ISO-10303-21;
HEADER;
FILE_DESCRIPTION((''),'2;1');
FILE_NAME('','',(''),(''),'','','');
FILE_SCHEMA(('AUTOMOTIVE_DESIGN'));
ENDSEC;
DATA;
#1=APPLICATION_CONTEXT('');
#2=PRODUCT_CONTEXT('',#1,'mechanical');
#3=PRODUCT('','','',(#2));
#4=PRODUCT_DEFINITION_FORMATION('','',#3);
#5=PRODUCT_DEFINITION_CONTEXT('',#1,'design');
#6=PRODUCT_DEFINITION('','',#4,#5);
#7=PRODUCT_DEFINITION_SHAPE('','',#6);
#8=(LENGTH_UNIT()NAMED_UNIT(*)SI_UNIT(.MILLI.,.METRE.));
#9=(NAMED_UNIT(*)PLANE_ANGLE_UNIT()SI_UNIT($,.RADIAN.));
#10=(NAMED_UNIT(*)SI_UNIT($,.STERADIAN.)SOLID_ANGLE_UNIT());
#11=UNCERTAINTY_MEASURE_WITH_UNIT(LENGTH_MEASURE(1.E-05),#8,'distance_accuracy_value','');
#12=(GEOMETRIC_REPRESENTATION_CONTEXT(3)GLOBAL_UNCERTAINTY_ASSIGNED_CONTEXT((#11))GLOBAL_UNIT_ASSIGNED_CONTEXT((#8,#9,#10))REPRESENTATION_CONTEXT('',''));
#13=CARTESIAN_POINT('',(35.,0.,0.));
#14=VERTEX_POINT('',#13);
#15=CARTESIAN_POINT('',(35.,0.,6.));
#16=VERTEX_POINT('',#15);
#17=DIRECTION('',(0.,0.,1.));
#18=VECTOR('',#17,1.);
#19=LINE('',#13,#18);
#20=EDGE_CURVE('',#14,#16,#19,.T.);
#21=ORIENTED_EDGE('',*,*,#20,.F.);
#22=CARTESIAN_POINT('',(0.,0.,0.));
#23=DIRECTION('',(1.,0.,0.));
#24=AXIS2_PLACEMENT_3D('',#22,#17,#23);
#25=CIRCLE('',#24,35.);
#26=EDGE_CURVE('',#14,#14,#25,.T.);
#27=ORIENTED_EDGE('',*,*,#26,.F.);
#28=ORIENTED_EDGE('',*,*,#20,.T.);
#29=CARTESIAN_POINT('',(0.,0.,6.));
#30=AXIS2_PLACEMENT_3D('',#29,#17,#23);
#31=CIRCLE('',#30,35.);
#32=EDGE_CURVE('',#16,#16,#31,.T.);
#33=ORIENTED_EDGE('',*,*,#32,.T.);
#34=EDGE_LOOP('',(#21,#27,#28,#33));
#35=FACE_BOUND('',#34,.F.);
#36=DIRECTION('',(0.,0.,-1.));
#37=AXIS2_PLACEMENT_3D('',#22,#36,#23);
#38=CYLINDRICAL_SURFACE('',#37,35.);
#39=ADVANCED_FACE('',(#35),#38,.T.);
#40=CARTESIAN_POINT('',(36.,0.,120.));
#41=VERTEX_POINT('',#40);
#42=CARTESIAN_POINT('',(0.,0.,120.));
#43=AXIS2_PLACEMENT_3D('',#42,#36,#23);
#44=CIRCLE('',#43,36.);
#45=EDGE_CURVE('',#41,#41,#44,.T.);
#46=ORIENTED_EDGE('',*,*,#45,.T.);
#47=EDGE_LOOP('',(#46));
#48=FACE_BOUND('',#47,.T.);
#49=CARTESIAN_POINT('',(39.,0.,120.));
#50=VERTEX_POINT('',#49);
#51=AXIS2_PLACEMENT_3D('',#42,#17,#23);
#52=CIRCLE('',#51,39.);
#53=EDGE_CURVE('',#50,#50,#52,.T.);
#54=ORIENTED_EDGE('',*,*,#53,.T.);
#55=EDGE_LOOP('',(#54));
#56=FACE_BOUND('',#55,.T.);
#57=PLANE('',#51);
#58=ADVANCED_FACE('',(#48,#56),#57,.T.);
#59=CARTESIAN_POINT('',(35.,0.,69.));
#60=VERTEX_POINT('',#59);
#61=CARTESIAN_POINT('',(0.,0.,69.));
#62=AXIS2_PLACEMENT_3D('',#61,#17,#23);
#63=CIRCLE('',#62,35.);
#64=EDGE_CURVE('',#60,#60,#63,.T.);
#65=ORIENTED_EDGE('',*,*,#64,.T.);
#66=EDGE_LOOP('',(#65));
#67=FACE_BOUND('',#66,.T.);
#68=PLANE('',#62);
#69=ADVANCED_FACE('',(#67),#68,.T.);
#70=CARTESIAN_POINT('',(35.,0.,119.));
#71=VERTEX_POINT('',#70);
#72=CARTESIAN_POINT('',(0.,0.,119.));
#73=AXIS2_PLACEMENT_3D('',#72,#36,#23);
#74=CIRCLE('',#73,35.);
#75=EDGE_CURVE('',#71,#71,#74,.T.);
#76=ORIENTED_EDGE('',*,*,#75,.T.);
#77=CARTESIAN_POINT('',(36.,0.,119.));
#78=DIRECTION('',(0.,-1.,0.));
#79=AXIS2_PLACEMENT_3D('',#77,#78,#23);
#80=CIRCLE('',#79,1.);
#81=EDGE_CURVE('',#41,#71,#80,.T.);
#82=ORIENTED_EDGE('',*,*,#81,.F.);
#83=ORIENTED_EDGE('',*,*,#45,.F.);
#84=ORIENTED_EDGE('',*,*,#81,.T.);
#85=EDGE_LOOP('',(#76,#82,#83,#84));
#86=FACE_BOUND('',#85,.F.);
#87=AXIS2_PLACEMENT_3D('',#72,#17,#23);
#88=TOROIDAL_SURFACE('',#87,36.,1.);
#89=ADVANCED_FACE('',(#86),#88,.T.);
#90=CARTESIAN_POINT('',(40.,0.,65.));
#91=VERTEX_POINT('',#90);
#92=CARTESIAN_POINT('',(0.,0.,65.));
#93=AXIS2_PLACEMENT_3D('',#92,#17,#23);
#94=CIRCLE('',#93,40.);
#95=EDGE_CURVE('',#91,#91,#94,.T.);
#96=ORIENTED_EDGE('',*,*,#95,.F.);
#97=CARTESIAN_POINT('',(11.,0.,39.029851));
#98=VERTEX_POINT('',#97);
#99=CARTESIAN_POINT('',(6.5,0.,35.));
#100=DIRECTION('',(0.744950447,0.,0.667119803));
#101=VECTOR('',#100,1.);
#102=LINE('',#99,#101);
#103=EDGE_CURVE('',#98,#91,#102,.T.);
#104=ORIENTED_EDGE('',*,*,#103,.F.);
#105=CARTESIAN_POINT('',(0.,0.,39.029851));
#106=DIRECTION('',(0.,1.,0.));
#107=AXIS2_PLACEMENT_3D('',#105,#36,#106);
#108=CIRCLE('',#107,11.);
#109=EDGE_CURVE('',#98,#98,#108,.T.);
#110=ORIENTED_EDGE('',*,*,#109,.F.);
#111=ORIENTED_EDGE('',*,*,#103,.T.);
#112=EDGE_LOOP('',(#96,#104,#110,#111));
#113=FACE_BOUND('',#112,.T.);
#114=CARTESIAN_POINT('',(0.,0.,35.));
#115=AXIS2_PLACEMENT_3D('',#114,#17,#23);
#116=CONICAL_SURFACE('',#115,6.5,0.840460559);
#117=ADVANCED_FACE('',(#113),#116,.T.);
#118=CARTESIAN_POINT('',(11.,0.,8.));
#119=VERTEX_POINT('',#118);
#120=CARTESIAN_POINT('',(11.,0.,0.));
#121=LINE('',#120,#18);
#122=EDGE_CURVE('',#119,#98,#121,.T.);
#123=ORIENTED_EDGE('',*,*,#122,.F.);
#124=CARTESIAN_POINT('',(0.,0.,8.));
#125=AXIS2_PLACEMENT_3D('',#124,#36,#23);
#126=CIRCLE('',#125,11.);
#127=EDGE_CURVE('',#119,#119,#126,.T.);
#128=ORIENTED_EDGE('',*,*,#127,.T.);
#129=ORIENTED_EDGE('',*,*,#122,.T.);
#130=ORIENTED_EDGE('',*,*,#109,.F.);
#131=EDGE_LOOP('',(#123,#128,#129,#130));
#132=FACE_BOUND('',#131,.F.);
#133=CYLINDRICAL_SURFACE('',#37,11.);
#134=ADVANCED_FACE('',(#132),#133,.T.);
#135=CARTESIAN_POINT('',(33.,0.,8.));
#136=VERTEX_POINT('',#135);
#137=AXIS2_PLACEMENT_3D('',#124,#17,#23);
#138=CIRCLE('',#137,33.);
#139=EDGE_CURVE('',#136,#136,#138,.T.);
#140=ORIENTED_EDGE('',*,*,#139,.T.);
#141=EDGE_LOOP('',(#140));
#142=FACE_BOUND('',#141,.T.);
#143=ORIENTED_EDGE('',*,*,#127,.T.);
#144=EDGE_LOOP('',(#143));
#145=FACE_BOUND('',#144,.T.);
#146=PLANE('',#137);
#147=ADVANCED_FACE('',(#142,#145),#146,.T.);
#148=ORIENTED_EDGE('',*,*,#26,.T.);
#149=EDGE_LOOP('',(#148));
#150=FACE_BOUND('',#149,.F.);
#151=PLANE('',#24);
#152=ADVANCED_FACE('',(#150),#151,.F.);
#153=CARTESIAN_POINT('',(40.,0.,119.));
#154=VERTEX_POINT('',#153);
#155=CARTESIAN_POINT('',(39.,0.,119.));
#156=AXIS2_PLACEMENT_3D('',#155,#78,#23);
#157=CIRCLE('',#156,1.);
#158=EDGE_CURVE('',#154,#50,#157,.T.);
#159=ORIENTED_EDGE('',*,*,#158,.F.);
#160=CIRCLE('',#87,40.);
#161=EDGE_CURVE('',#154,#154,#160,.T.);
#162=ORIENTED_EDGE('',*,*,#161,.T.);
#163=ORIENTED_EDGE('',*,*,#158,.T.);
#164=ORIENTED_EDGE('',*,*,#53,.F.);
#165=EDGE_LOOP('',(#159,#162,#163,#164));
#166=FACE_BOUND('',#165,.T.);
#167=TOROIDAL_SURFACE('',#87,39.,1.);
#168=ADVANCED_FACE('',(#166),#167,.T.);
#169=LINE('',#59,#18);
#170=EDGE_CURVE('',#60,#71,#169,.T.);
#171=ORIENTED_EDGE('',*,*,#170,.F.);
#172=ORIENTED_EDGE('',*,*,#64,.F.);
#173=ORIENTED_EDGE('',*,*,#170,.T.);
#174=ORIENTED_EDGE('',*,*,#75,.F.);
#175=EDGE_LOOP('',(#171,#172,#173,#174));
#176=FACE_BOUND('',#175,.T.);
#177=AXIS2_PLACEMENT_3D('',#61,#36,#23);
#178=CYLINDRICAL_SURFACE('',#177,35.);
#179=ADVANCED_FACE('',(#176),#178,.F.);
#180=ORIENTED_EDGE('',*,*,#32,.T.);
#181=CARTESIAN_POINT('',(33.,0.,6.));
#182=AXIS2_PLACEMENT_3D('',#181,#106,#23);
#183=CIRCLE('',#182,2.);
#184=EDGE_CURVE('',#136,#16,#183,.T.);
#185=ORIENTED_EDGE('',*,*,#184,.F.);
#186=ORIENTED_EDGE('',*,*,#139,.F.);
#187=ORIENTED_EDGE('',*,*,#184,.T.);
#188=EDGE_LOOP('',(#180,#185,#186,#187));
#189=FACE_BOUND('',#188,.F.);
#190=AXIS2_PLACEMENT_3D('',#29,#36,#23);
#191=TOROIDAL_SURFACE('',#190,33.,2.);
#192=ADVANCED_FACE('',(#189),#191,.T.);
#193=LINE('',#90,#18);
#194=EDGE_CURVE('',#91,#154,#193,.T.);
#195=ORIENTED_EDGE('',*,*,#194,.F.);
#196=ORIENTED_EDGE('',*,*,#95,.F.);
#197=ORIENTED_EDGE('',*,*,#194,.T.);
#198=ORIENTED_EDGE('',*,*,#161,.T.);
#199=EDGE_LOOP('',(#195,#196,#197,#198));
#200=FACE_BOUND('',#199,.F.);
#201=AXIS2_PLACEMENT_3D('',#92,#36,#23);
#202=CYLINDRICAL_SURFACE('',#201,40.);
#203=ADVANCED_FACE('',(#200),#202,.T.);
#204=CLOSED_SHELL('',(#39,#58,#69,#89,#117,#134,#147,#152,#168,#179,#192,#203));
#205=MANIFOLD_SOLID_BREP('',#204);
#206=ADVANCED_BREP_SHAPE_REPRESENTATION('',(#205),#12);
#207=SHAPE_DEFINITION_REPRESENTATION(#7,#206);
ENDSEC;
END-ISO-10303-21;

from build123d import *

# Parameters (mm, degrees)
CYLINDER003_R     = 35
CYLINDER003_DEPTH = 55
CYLINDER002_R     = 40
CYLINDER002_DEPTH = 55
CYLINDER_R        = 35
CYLINDER_DEPTH    = 8
CYLINDER001_R     = 11
CYLINDER001_DEPTH = 65
FILLET_R          = 2
FILLET001_R       = 1
FILLET002_R       = 1


with BuildPart() as cone:
    # Cone → Cone (revolve)
    with BuildSketch(Plane(origin=(0, 0, 35), x_dir=(1, 0, 0), z_dir=(0, -1, 0))):
        Polygon((0, 0), (6.5, 0), (40, 30), (0, 30), align=None)
    revolve(axis=Axis((0, 0, 35), (0, 0, 1)))


with BuildPart() as cylinder003:
    # Cylinder003 → Cylinder003 (new body)
    with BuildSketch(Plane.XY.offset(69)):
        Circle(CYLINDER003_R)
    extrude(amount=CYLINDER003_DEPTH)


with BuildPart() as cut:
    # Cylinder002 → Cylinder002 (new body)
    with BuildSketch(Plane.XY.offset(65)):
        Circle(CYLINDER002_R)
    extrude(amount=CYLINDER002_DEPTH)

    # Cut: cut Cylinder003
    add(cylinder003.part, mode=Mode.SUBTRACT)


with BuildPart() as cylinder:
    # Cylinder → Cylinder (new body)
    with BuildSketch(Plane.XY):
        Circle(CYLINDER_R)
    extrude(amount=CYLINDER_DEPTH)


with BuildPart() as fillet002:
    # Cylinder001 → Cylinder001 (new body)
    with BuildSketch(Plane.XY):
        Circle(CYLINDER001_R)
    extrude(amount=CYLINDER001_DEPTH)

    # Fusion: union Cylinder
    add(cylinder.part)

    # Fusion001: union Cut
    add(cut.part)

    # Fusion002: union Cone
    add(cone.part)

    # Fillet
    fillet_edges = [fillet002.edges().sort_by_distance(p)[0] for p in [
        (-35, 0, 8),
    ]]
    fillet(fillet_edges, radius=FILLET_R)

    # Fillet001
    fillet001_edges = [fillet002.edges().sort_by_distance(p)[0] for p in [
        (-40, 0, 120),
    ]]
    fillet(fillet001_edges, radius=FILLET001_R)

    # Fillet002
    fillet002_edges = [fillet002.edges().sort_by_distance(p)[0] for p in [
        (-35, 0, 120),
    ]]
    fillet(fillet002_edges, radius=FILLET002_R)


solid = fillet002.part
